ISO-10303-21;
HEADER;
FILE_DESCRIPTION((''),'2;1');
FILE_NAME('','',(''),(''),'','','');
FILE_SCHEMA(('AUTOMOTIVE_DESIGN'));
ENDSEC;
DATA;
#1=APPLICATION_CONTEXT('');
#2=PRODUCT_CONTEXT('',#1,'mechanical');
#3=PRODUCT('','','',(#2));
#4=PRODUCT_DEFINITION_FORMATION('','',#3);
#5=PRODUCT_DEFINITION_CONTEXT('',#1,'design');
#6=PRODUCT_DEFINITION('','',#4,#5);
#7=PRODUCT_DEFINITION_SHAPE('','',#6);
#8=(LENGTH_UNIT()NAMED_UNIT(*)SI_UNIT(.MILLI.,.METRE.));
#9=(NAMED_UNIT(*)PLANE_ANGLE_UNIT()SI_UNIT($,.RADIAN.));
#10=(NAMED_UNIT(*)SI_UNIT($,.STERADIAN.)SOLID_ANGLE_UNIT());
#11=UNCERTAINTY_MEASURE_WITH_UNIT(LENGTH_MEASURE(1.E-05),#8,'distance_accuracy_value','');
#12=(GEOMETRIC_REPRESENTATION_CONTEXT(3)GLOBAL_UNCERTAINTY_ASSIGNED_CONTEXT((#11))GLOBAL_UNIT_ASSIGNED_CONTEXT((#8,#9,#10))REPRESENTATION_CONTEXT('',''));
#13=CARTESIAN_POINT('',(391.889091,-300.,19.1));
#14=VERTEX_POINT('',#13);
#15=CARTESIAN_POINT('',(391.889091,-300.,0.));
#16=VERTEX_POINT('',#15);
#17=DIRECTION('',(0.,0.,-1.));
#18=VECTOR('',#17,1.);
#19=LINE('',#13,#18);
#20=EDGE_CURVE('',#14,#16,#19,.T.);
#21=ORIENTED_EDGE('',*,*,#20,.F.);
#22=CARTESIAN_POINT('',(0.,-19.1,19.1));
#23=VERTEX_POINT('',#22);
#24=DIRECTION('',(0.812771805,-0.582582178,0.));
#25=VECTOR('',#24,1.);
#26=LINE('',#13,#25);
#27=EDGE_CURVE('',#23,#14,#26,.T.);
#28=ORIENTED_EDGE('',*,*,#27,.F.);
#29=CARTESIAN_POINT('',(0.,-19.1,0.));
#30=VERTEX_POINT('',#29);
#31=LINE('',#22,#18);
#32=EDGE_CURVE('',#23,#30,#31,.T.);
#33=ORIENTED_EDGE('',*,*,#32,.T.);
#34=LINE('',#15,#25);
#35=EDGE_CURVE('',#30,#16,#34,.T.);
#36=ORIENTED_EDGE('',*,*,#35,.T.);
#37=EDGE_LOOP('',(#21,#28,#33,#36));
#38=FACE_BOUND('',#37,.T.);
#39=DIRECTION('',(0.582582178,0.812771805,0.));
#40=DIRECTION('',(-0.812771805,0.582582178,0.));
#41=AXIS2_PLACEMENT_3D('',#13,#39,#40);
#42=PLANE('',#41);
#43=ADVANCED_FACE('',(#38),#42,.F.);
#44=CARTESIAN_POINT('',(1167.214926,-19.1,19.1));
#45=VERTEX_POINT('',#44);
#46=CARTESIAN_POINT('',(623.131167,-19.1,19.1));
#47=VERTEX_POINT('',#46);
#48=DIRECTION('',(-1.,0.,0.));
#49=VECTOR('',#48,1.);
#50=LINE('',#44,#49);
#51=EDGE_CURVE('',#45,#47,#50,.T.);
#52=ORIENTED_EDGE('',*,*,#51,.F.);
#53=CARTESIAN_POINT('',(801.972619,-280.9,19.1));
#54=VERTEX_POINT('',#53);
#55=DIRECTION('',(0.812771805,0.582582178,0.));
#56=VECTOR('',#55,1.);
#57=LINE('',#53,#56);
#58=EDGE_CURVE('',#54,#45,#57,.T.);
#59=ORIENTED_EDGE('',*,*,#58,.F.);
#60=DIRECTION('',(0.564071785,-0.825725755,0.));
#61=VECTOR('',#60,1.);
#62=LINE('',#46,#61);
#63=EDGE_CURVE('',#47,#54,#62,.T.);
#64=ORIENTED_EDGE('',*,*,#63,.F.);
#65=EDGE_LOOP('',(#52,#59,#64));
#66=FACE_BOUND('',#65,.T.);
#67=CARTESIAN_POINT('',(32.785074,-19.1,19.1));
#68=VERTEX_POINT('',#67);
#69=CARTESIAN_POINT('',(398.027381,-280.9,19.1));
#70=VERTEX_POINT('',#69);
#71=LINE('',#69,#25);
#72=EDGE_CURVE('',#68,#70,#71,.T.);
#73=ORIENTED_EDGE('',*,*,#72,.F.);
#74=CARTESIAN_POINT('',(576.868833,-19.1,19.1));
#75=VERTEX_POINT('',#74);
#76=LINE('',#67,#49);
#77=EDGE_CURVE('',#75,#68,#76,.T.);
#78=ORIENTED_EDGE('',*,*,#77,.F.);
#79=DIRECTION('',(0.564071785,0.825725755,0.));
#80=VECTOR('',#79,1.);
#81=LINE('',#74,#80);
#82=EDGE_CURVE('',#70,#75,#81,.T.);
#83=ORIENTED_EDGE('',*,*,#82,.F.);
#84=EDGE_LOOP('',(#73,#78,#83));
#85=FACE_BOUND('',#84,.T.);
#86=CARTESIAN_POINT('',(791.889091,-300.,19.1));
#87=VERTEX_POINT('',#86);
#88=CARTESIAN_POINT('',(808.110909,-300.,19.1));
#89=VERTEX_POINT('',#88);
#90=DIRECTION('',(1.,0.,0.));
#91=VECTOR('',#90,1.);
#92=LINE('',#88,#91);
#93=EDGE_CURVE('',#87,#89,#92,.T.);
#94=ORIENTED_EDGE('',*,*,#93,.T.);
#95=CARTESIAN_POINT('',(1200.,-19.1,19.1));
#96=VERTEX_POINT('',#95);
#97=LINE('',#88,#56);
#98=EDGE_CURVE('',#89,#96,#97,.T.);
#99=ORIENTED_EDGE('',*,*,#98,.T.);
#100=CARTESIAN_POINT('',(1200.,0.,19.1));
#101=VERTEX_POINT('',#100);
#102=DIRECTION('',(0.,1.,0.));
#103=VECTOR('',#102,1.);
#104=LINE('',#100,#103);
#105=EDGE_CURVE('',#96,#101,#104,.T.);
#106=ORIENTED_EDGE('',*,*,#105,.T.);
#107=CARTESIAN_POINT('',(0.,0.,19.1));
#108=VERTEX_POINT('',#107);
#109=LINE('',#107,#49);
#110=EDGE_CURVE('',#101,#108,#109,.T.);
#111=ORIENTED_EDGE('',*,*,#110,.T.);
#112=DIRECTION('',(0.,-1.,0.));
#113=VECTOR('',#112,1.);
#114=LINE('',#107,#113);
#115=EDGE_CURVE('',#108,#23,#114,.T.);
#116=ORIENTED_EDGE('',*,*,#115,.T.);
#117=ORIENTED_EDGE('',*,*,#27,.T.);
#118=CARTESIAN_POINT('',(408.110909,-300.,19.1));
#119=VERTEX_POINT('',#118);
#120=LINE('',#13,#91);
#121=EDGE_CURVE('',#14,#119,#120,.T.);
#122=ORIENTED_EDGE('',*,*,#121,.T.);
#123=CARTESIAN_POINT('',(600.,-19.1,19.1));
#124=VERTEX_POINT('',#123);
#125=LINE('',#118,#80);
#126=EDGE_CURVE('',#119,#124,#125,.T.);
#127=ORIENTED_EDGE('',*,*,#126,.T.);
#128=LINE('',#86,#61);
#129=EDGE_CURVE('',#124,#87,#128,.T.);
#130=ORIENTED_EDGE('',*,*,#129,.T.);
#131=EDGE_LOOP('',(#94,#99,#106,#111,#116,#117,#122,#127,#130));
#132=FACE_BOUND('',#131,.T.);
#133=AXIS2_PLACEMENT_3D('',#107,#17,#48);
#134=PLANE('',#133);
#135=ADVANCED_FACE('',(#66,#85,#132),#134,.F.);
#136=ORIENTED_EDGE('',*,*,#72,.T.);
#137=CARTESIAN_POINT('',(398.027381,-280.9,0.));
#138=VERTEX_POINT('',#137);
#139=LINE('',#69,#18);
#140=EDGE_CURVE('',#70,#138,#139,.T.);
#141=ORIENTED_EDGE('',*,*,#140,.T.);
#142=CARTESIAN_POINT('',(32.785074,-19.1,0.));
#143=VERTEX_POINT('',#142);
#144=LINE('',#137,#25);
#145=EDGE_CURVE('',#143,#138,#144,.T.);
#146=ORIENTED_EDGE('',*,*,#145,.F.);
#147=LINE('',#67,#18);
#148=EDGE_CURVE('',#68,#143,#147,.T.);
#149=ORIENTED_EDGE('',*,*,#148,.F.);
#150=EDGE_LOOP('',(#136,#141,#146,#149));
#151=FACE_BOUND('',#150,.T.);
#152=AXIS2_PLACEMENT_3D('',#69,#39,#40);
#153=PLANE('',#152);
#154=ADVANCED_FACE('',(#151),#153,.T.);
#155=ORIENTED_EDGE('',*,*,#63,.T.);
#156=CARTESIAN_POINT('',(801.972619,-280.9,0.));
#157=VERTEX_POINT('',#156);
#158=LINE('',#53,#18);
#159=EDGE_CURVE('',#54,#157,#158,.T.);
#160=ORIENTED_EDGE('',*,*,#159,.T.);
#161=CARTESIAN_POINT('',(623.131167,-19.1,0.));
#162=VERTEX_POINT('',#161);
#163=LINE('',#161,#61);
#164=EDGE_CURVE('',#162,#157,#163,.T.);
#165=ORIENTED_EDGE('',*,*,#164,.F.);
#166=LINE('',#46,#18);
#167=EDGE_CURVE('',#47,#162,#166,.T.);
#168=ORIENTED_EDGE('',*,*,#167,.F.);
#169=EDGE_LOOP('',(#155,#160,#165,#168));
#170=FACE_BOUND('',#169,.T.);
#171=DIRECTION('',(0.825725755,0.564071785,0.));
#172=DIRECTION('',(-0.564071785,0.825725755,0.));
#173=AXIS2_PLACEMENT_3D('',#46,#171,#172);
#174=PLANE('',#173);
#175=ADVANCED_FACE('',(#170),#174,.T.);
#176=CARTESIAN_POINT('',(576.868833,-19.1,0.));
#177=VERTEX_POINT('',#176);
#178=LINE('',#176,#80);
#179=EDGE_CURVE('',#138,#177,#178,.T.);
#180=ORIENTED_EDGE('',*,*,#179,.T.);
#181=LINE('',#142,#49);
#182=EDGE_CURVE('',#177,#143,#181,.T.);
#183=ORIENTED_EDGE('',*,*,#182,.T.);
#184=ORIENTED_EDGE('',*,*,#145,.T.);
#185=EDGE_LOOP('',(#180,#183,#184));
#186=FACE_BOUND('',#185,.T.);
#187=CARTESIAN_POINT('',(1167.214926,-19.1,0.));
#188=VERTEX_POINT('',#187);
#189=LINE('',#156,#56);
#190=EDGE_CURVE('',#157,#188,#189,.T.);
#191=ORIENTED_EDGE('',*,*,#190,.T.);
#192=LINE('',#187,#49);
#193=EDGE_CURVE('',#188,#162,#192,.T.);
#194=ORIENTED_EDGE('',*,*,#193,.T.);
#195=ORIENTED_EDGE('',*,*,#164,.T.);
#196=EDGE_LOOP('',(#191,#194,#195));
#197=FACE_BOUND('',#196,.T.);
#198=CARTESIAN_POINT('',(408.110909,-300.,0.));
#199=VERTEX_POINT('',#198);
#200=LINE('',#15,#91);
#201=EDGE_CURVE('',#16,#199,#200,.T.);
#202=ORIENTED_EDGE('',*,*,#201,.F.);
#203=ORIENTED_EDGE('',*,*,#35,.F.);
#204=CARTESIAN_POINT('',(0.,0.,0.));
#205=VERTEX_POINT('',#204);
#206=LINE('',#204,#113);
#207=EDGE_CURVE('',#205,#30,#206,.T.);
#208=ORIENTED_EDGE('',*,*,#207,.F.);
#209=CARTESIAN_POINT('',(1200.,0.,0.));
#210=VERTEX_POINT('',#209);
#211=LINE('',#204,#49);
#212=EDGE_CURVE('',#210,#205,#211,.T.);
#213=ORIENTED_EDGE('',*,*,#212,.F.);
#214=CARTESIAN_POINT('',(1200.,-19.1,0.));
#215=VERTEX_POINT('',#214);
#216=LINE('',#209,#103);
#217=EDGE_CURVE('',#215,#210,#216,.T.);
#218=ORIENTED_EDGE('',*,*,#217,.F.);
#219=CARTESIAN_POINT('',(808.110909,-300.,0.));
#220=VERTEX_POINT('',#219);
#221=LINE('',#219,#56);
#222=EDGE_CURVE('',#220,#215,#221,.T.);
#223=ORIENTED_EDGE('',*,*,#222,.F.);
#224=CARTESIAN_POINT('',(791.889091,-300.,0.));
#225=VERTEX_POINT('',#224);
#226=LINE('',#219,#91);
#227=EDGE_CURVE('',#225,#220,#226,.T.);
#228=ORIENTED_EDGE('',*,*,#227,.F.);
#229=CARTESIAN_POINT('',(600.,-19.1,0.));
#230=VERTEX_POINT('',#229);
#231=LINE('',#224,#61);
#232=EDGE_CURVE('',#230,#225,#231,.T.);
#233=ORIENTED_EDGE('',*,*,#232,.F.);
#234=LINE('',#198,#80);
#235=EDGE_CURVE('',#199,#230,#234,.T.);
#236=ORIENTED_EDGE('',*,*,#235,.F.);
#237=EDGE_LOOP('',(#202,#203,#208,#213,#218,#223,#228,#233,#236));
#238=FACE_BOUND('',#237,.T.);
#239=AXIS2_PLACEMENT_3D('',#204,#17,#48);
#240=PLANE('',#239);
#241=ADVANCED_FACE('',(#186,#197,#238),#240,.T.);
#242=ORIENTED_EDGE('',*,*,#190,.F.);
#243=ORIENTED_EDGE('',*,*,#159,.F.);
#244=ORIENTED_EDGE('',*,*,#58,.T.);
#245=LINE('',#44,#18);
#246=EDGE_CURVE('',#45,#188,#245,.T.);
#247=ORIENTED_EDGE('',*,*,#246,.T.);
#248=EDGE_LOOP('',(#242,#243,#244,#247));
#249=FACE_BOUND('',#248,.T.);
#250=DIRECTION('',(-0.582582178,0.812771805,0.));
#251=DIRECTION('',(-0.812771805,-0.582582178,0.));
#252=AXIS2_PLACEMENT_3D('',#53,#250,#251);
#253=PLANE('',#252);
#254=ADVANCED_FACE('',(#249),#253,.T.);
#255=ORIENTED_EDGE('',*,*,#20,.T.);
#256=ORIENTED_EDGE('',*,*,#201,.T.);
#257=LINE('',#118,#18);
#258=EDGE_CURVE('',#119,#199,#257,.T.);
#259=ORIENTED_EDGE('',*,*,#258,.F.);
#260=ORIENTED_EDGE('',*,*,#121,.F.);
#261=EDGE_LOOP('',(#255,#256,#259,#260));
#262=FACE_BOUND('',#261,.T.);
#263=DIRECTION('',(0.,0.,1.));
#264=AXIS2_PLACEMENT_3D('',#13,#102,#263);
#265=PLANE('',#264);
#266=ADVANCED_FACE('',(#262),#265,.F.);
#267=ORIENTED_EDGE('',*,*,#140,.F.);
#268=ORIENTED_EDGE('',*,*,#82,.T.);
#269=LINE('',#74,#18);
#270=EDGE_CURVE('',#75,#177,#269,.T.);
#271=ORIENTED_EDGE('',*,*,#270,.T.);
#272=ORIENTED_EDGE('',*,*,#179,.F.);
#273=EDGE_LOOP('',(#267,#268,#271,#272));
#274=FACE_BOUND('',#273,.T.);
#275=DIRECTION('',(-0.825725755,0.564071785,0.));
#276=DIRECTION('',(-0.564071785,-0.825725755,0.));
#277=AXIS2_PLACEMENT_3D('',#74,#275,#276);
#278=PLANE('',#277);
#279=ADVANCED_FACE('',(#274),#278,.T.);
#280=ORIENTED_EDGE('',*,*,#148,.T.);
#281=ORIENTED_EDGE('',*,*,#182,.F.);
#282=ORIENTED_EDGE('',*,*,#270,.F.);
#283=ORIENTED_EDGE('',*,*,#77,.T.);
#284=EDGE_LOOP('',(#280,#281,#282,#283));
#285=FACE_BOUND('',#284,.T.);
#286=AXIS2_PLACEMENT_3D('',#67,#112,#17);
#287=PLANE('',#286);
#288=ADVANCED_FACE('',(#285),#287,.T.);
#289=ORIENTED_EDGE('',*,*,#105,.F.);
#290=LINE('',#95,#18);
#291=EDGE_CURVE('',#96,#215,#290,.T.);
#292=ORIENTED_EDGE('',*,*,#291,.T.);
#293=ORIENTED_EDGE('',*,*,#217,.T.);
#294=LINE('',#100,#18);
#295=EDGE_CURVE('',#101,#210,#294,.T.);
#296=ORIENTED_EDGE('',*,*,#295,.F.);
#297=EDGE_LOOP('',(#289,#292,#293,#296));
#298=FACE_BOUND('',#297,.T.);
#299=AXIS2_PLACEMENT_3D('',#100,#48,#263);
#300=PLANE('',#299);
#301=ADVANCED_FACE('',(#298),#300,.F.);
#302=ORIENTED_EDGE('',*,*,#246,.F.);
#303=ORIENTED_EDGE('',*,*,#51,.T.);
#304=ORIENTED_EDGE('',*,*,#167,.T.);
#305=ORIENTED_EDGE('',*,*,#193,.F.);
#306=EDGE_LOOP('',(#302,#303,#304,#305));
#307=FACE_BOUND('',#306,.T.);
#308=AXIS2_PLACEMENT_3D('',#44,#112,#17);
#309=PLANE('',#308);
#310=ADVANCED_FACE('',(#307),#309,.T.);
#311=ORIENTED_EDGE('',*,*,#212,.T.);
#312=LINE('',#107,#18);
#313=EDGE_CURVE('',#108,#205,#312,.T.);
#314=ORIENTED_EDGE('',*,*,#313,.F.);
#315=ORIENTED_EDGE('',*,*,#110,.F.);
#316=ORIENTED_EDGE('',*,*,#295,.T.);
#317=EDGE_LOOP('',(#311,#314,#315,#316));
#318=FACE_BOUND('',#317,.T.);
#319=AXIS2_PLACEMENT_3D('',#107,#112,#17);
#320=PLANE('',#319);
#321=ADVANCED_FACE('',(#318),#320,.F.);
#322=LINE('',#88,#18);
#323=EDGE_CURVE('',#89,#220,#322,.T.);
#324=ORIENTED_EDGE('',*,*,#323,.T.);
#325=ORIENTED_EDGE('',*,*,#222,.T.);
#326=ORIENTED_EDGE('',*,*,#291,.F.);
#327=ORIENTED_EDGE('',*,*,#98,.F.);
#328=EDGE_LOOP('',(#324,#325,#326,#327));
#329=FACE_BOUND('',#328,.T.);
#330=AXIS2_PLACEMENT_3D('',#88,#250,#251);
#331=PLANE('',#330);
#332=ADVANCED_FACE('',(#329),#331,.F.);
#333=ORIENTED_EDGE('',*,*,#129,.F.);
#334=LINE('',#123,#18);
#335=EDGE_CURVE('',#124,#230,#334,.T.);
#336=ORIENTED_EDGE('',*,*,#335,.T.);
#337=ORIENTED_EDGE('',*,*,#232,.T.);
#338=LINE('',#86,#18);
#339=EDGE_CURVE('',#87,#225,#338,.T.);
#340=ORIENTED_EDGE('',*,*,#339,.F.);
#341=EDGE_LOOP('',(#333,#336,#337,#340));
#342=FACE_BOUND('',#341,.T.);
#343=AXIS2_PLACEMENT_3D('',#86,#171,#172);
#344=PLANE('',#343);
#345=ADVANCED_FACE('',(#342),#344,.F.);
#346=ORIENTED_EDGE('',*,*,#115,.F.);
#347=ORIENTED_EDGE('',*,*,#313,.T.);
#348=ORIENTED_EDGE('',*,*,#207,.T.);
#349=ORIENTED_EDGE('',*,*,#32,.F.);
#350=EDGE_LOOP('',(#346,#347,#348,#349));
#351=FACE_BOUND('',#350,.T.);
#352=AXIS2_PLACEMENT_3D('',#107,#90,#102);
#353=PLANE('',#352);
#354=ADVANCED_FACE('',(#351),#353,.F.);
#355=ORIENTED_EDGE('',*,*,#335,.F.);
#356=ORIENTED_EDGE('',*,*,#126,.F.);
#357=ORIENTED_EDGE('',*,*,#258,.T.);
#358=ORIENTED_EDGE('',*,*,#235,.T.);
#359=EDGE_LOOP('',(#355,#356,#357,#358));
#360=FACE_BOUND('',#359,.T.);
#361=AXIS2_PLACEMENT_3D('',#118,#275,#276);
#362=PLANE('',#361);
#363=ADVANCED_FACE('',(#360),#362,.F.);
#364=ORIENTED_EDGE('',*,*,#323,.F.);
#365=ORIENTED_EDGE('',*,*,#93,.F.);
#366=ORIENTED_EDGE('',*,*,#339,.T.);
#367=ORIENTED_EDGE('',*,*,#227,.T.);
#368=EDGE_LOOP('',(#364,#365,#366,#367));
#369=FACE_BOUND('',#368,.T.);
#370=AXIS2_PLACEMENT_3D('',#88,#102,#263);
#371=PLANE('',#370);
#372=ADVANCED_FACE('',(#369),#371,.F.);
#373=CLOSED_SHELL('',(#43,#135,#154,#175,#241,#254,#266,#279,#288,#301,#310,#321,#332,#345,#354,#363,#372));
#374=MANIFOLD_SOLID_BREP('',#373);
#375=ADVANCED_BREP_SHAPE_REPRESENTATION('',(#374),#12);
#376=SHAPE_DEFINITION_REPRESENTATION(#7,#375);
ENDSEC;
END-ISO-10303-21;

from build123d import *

# Parameters (mm, degrees)
BOSS_EXTRUDE2_DEPTH = 19.1


with BuildPart() as part:
    # Sketch3 → Boss-Extrude2 (new body)
    with BuildSketch(Plane.XY):
        Polygon((391.889090758, -300), (408.110909242, -300), (600, -19.1), (791.889090758, -300), (808.110909242, -300), (1200, -19.1), (1200, 0), (0, 0), (0, -19.1), align=None)
        Polygon((32.785074333, -19.1), (576.868833396, -19.1), (398.027381063, -280.9), align=None, mode=Mode.SUBTRACT)
        Polygon((801.972618937, -280.9), (1167.214925667, -19.1), (623.131166604, -19.1), align=None, mode=Mode.SUBTRACT)
    extrude(amount=BOSS_EXTRUDE2_DEPTH)


solid = part.part
